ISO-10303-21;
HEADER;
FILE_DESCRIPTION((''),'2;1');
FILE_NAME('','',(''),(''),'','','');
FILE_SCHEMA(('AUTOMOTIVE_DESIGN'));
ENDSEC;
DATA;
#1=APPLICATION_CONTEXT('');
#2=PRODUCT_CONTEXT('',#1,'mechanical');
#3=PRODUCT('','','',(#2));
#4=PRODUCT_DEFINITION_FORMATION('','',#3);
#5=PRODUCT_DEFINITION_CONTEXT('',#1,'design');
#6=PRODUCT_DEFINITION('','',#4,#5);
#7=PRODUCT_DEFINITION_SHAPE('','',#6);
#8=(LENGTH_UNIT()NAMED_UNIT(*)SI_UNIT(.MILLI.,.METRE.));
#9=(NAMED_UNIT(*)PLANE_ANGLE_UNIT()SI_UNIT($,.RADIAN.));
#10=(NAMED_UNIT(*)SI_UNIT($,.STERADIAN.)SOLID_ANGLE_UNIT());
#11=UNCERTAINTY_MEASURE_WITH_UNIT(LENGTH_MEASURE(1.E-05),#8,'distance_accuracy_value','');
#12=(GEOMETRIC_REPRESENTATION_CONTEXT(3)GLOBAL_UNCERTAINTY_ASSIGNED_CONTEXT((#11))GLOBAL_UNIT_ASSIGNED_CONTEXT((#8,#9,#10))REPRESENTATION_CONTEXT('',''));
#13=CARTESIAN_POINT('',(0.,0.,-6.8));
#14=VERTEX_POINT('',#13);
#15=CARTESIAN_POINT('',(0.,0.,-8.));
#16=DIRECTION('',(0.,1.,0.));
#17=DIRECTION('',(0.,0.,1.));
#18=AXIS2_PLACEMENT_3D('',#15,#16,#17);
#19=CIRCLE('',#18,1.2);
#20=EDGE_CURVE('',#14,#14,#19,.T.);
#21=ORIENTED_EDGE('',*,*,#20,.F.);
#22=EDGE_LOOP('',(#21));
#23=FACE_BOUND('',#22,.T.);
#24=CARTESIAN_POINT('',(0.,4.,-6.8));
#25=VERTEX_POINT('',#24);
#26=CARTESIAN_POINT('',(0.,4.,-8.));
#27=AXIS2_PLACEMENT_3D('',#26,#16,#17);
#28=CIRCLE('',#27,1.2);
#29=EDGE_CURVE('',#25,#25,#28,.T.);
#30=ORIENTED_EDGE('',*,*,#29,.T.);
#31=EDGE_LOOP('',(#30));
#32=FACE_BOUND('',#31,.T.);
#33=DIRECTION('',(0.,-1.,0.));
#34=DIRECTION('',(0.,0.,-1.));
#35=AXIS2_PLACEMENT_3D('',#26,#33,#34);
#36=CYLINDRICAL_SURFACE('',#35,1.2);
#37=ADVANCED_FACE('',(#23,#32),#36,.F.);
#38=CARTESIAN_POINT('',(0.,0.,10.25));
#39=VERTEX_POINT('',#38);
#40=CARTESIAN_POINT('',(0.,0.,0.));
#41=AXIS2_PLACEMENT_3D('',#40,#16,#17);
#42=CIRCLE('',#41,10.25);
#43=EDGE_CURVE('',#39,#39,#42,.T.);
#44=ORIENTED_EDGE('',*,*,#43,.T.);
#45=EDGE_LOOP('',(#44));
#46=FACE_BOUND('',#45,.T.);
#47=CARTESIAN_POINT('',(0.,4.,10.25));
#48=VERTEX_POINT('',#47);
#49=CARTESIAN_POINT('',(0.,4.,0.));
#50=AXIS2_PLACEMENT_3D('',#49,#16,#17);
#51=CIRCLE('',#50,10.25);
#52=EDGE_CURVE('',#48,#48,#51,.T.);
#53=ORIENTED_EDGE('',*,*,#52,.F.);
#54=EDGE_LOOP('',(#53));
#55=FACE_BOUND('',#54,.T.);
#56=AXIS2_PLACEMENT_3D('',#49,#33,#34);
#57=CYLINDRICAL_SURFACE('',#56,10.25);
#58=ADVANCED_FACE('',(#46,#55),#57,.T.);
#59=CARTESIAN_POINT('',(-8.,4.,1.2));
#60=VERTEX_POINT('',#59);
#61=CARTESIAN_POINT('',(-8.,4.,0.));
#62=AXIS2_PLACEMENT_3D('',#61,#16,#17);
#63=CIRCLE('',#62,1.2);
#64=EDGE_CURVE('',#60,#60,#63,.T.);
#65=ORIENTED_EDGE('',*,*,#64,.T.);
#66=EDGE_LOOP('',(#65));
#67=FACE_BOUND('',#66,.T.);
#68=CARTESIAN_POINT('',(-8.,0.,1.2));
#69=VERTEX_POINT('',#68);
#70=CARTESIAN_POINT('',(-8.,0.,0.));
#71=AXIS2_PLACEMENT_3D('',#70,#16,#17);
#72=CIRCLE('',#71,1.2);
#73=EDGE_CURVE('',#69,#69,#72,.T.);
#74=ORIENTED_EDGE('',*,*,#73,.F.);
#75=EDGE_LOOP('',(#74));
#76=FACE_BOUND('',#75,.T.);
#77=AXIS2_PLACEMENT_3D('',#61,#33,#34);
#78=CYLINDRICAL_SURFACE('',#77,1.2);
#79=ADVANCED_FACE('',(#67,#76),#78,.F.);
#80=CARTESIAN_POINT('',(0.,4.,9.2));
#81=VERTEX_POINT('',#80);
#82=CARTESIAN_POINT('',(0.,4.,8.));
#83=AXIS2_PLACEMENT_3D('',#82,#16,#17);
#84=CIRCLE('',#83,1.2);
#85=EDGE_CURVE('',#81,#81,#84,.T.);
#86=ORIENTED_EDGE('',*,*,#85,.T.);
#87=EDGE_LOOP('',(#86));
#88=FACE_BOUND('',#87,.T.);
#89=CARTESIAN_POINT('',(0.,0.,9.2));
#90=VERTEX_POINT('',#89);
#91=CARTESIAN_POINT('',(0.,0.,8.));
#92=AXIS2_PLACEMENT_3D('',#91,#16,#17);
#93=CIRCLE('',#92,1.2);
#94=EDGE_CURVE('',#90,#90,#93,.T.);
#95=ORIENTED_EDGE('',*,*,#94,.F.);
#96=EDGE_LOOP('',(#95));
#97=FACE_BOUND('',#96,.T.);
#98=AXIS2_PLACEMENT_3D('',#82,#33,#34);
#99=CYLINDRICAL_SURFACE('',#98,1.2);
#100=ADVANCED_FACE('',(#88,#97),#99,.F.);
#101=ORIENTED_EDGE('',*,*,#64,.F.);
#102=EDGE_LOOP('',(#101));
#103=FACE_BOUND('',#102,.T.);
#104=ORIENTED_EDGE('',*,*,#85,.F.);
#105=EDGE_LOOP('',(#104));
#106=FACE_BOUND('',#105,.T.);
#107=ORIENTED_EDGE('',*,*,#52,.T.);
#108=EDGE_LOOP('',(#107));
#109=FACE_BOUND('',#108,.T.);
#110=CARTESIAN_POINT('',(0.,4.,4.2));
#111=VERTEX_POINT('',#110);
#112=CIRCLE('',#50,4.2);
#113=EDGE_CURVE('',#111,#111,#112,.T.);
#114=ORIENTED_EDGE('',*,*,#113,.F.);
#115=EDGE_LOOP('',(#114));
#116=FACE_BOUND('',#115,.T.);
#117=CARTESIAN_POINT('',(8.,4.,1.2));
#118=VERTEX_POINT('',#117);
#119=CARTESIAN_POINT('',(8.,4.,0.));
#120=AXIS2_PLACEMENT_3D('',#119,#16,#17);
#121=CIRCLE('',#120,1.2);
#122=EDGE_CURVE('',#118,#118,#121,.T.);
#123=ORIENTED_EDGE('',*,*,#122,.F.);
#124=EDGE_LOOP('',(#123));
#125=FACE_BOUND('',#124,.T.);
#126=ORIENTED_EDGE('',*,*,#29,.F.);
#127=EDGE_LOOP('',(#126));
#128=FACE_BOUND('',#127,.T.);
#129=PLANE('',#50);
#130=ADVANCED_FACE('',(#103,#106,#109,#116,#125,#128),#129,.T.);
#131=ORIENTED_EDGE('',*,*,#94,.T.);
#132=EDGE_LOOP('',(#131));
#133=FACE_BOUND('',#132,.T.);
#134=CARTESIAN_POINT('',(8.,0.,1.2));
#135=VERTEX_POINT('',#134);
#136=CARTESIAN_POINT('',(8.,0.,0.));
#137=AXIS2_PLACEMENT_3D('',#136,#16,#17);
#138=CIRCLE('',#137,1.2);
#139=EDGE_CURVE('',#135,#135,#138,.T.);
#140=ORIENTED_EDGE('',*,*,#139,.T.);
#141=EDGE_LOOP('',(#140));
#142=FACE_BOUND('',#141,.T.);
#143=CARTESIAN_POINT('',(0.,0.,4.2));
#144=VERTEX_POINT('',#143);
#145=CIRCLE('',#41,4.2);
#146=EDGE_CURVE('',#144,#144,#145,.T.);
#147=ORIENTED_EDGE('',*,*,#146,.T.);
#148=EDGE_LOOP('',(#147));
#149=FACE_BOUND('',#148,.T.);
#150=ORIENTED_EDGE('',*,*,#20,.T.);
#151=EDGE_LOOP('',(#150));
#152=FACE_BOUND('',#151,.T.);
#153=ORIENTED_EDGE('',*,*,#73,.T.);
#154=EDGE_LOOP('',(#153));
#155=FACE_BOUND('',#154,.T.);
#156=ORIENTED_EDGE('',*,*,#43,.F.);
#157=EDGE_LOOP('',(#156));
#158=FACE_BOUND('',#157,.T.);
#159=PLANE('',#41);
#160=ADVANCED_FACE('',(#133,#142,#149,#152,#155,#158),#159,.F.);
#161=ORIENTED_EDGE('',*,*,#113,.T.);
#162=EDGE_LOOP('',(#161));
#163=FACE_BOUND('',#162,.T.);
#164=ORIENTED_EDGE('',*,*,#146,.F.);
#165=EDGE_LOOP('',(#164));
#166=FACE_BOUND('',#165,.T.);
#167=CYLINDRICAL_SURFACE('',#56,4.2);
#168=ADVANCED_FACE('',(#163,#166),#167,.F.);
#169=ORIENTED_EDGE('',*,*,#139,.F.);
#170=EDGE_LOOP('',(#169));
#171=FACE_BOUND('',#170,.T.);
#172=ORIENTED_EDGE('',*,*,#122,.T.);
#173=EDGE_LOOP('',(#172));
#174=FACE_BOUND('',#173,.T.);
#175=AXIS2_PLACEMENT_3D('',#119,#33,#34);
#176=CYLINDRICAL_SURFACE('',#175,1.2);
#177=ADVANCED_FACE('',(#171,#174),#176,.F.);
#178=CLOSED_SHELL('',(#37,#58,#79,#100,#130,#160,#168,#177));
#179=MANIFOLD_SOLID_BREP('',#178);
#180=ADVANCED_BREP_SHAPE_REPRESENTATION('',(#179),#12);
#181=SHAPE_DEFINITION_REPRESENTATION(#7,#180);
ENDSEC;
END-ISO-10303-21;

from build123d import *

# Parameters (mm, degrees)
SKETCH1_R           = 10.25
SKETCH1_R_2         = 4.2
SKETCH1_R_3         = 1.2
BOSS_EXTRUDE1_DEPTH = 4


with BuildPart() as part:
    # Sketch1 → Boss-Extrude1 (new body)
    with BuildSketch(Plane(origin=(0, 0, 0), x_dir=(1, 0, 0), z_dir=(0, 1, 0))):
        with Locations(Location((0, 0, 0), (0, 0, 270))):
            Circle(SKETCH1_R)
        with Locations(Location((0, 0, 0), (0, 0, 270))):
            Circle(SKETCH1_R_2, mode=Mode.SUBTRACT)
        with Locations(Location((0, 8, 0), (0, 0, 270))):
            Circle(SKETCH1_R_3, mode=Mode.SUBTRACT)
        with Locations(Location((8, 0, 0), (0, 0, 270))):
            Circle(SKETCH1_R_3, mode=Mode.SUBTRACT)
        with Locations(Location((0, -8, 0), (0, 0, 270))):
            Circle(SKETCH1_R_3, mode=Mode.SUBTRACT)
        with Locations(Location((-8, 0, 0), (0, 0, 270))):
            Circle(SKETCH1_R_3, mode=Mode.SUBTRACT)
    extrude(amount=BOSS_EXTRUDE1_DEPTH)


solid = part.part
